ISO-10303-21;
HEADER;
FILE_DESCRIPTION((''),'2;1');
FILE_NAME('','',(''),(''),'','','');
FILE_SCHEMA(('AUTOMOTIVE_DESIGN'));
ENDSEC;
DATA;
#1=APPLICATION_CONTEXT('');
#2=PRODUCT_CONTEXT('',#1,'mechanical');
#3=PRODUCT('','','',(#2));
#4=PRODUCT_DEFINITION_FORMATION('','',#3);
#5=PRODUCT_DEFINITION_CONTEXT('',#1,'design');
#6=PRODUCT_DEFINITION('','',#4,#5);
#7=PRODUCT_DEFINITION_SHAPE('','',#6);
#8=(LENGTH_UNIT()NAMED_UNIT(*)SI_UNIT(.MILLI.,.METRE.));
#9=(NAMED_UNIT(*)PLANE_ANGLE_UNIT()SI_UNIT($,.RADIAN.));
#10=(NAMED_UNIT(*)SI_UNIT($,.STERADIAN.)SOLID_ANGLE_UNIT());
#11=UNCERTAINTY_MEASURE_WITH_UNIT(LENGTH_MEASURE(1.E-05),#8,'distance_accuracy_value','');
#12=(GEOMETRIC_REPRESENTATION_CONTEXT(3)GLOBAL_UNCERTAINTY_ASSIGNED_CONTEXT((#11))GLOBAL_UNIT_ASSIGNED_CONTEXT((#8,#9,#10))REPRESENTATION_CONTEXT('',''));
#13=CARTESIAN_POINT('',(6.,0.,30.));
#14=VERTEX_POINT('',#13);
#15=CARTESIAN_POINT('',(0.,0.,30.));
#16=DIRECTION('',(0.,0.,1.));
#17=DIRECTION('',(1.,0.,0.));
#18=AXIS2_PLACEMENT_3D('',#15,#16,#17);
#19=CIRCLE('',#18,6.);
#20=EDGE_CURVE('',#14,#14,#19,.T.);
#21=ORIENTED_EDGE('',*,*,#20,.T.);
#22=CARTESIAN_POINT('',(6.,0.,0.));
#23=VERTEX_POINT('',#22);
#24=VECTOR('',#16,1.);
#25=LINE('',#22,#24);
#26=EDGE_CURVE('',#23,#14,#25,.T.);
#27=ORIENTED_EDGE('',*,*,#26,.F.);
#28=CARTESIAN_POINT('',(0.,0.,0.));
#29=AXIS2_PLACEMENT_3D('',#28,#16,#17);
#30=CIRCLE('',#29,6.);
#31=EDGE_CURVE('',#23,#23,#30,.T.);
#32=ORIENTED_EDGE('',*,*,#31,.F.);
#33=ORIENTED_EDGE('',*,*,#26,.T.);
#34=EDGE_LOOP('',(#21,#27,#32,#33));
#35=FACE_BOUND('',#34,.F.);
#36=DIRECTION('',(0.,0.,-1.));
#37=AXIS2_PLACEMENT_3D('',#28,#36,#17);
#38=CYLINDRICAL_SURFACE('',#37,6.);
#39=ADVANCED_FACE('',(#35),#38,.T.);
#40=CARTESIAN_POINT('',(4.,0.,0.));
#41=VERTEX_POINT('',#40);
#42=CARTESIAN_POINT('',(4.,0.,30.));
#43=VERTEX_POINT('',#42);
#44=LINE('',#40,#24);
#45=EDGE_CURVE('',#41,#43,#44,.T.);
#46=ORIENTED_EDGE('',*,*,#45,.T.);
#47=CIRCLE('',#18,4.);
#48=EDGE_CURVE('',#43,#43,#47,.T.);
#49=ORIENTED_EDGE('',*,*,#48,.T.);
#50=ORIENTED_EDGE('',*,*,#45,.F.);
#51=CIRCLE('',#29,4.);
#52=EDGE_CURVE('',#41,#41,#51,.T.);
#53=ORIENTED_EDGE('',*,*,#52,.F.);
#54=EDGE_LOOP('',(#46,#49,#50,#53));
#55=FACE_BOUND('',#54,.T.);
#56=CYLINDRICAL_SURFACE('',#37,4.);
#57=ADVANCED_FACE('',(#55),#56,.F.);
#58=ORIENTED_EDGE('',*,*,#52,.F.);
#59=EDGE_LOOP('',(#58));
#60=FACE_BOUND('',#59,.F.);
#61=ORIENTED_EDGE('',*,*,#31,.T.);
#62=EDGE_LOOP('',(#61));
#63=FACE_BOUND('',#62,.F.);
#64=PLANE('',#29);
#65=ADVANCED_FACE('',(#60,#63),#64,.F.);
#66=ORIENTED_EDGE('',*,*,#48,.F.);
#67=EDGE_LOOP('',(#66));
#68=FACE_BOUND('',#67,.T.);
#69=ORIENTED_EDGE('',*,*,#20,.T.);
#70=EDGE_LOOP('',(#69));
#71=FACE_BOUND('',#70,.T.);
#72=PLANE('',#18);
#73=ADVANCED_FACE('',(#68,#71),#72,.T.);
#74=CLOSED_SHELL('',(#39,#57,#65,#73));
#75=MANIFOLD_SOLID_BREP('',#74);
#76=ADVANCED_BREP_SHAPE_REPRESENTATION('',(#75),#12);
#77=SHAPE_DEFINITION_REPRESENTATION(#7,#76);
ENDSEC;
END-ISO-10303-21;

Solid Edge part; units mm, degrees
sketch "Sketch1" plane through (0, 0, 0) normal (0, 0, 1) x (1, 0, 0)
  circle A0 centre (0, 0) radius 4
  circle A1 centre (0, 0) radius 6
  dimension "D1" = 8
  dimension "D2" = 12
extrude "Protrusion1" add sketch "Sketch1" along normal blind 30
properties material "Nylon, allgemein"
